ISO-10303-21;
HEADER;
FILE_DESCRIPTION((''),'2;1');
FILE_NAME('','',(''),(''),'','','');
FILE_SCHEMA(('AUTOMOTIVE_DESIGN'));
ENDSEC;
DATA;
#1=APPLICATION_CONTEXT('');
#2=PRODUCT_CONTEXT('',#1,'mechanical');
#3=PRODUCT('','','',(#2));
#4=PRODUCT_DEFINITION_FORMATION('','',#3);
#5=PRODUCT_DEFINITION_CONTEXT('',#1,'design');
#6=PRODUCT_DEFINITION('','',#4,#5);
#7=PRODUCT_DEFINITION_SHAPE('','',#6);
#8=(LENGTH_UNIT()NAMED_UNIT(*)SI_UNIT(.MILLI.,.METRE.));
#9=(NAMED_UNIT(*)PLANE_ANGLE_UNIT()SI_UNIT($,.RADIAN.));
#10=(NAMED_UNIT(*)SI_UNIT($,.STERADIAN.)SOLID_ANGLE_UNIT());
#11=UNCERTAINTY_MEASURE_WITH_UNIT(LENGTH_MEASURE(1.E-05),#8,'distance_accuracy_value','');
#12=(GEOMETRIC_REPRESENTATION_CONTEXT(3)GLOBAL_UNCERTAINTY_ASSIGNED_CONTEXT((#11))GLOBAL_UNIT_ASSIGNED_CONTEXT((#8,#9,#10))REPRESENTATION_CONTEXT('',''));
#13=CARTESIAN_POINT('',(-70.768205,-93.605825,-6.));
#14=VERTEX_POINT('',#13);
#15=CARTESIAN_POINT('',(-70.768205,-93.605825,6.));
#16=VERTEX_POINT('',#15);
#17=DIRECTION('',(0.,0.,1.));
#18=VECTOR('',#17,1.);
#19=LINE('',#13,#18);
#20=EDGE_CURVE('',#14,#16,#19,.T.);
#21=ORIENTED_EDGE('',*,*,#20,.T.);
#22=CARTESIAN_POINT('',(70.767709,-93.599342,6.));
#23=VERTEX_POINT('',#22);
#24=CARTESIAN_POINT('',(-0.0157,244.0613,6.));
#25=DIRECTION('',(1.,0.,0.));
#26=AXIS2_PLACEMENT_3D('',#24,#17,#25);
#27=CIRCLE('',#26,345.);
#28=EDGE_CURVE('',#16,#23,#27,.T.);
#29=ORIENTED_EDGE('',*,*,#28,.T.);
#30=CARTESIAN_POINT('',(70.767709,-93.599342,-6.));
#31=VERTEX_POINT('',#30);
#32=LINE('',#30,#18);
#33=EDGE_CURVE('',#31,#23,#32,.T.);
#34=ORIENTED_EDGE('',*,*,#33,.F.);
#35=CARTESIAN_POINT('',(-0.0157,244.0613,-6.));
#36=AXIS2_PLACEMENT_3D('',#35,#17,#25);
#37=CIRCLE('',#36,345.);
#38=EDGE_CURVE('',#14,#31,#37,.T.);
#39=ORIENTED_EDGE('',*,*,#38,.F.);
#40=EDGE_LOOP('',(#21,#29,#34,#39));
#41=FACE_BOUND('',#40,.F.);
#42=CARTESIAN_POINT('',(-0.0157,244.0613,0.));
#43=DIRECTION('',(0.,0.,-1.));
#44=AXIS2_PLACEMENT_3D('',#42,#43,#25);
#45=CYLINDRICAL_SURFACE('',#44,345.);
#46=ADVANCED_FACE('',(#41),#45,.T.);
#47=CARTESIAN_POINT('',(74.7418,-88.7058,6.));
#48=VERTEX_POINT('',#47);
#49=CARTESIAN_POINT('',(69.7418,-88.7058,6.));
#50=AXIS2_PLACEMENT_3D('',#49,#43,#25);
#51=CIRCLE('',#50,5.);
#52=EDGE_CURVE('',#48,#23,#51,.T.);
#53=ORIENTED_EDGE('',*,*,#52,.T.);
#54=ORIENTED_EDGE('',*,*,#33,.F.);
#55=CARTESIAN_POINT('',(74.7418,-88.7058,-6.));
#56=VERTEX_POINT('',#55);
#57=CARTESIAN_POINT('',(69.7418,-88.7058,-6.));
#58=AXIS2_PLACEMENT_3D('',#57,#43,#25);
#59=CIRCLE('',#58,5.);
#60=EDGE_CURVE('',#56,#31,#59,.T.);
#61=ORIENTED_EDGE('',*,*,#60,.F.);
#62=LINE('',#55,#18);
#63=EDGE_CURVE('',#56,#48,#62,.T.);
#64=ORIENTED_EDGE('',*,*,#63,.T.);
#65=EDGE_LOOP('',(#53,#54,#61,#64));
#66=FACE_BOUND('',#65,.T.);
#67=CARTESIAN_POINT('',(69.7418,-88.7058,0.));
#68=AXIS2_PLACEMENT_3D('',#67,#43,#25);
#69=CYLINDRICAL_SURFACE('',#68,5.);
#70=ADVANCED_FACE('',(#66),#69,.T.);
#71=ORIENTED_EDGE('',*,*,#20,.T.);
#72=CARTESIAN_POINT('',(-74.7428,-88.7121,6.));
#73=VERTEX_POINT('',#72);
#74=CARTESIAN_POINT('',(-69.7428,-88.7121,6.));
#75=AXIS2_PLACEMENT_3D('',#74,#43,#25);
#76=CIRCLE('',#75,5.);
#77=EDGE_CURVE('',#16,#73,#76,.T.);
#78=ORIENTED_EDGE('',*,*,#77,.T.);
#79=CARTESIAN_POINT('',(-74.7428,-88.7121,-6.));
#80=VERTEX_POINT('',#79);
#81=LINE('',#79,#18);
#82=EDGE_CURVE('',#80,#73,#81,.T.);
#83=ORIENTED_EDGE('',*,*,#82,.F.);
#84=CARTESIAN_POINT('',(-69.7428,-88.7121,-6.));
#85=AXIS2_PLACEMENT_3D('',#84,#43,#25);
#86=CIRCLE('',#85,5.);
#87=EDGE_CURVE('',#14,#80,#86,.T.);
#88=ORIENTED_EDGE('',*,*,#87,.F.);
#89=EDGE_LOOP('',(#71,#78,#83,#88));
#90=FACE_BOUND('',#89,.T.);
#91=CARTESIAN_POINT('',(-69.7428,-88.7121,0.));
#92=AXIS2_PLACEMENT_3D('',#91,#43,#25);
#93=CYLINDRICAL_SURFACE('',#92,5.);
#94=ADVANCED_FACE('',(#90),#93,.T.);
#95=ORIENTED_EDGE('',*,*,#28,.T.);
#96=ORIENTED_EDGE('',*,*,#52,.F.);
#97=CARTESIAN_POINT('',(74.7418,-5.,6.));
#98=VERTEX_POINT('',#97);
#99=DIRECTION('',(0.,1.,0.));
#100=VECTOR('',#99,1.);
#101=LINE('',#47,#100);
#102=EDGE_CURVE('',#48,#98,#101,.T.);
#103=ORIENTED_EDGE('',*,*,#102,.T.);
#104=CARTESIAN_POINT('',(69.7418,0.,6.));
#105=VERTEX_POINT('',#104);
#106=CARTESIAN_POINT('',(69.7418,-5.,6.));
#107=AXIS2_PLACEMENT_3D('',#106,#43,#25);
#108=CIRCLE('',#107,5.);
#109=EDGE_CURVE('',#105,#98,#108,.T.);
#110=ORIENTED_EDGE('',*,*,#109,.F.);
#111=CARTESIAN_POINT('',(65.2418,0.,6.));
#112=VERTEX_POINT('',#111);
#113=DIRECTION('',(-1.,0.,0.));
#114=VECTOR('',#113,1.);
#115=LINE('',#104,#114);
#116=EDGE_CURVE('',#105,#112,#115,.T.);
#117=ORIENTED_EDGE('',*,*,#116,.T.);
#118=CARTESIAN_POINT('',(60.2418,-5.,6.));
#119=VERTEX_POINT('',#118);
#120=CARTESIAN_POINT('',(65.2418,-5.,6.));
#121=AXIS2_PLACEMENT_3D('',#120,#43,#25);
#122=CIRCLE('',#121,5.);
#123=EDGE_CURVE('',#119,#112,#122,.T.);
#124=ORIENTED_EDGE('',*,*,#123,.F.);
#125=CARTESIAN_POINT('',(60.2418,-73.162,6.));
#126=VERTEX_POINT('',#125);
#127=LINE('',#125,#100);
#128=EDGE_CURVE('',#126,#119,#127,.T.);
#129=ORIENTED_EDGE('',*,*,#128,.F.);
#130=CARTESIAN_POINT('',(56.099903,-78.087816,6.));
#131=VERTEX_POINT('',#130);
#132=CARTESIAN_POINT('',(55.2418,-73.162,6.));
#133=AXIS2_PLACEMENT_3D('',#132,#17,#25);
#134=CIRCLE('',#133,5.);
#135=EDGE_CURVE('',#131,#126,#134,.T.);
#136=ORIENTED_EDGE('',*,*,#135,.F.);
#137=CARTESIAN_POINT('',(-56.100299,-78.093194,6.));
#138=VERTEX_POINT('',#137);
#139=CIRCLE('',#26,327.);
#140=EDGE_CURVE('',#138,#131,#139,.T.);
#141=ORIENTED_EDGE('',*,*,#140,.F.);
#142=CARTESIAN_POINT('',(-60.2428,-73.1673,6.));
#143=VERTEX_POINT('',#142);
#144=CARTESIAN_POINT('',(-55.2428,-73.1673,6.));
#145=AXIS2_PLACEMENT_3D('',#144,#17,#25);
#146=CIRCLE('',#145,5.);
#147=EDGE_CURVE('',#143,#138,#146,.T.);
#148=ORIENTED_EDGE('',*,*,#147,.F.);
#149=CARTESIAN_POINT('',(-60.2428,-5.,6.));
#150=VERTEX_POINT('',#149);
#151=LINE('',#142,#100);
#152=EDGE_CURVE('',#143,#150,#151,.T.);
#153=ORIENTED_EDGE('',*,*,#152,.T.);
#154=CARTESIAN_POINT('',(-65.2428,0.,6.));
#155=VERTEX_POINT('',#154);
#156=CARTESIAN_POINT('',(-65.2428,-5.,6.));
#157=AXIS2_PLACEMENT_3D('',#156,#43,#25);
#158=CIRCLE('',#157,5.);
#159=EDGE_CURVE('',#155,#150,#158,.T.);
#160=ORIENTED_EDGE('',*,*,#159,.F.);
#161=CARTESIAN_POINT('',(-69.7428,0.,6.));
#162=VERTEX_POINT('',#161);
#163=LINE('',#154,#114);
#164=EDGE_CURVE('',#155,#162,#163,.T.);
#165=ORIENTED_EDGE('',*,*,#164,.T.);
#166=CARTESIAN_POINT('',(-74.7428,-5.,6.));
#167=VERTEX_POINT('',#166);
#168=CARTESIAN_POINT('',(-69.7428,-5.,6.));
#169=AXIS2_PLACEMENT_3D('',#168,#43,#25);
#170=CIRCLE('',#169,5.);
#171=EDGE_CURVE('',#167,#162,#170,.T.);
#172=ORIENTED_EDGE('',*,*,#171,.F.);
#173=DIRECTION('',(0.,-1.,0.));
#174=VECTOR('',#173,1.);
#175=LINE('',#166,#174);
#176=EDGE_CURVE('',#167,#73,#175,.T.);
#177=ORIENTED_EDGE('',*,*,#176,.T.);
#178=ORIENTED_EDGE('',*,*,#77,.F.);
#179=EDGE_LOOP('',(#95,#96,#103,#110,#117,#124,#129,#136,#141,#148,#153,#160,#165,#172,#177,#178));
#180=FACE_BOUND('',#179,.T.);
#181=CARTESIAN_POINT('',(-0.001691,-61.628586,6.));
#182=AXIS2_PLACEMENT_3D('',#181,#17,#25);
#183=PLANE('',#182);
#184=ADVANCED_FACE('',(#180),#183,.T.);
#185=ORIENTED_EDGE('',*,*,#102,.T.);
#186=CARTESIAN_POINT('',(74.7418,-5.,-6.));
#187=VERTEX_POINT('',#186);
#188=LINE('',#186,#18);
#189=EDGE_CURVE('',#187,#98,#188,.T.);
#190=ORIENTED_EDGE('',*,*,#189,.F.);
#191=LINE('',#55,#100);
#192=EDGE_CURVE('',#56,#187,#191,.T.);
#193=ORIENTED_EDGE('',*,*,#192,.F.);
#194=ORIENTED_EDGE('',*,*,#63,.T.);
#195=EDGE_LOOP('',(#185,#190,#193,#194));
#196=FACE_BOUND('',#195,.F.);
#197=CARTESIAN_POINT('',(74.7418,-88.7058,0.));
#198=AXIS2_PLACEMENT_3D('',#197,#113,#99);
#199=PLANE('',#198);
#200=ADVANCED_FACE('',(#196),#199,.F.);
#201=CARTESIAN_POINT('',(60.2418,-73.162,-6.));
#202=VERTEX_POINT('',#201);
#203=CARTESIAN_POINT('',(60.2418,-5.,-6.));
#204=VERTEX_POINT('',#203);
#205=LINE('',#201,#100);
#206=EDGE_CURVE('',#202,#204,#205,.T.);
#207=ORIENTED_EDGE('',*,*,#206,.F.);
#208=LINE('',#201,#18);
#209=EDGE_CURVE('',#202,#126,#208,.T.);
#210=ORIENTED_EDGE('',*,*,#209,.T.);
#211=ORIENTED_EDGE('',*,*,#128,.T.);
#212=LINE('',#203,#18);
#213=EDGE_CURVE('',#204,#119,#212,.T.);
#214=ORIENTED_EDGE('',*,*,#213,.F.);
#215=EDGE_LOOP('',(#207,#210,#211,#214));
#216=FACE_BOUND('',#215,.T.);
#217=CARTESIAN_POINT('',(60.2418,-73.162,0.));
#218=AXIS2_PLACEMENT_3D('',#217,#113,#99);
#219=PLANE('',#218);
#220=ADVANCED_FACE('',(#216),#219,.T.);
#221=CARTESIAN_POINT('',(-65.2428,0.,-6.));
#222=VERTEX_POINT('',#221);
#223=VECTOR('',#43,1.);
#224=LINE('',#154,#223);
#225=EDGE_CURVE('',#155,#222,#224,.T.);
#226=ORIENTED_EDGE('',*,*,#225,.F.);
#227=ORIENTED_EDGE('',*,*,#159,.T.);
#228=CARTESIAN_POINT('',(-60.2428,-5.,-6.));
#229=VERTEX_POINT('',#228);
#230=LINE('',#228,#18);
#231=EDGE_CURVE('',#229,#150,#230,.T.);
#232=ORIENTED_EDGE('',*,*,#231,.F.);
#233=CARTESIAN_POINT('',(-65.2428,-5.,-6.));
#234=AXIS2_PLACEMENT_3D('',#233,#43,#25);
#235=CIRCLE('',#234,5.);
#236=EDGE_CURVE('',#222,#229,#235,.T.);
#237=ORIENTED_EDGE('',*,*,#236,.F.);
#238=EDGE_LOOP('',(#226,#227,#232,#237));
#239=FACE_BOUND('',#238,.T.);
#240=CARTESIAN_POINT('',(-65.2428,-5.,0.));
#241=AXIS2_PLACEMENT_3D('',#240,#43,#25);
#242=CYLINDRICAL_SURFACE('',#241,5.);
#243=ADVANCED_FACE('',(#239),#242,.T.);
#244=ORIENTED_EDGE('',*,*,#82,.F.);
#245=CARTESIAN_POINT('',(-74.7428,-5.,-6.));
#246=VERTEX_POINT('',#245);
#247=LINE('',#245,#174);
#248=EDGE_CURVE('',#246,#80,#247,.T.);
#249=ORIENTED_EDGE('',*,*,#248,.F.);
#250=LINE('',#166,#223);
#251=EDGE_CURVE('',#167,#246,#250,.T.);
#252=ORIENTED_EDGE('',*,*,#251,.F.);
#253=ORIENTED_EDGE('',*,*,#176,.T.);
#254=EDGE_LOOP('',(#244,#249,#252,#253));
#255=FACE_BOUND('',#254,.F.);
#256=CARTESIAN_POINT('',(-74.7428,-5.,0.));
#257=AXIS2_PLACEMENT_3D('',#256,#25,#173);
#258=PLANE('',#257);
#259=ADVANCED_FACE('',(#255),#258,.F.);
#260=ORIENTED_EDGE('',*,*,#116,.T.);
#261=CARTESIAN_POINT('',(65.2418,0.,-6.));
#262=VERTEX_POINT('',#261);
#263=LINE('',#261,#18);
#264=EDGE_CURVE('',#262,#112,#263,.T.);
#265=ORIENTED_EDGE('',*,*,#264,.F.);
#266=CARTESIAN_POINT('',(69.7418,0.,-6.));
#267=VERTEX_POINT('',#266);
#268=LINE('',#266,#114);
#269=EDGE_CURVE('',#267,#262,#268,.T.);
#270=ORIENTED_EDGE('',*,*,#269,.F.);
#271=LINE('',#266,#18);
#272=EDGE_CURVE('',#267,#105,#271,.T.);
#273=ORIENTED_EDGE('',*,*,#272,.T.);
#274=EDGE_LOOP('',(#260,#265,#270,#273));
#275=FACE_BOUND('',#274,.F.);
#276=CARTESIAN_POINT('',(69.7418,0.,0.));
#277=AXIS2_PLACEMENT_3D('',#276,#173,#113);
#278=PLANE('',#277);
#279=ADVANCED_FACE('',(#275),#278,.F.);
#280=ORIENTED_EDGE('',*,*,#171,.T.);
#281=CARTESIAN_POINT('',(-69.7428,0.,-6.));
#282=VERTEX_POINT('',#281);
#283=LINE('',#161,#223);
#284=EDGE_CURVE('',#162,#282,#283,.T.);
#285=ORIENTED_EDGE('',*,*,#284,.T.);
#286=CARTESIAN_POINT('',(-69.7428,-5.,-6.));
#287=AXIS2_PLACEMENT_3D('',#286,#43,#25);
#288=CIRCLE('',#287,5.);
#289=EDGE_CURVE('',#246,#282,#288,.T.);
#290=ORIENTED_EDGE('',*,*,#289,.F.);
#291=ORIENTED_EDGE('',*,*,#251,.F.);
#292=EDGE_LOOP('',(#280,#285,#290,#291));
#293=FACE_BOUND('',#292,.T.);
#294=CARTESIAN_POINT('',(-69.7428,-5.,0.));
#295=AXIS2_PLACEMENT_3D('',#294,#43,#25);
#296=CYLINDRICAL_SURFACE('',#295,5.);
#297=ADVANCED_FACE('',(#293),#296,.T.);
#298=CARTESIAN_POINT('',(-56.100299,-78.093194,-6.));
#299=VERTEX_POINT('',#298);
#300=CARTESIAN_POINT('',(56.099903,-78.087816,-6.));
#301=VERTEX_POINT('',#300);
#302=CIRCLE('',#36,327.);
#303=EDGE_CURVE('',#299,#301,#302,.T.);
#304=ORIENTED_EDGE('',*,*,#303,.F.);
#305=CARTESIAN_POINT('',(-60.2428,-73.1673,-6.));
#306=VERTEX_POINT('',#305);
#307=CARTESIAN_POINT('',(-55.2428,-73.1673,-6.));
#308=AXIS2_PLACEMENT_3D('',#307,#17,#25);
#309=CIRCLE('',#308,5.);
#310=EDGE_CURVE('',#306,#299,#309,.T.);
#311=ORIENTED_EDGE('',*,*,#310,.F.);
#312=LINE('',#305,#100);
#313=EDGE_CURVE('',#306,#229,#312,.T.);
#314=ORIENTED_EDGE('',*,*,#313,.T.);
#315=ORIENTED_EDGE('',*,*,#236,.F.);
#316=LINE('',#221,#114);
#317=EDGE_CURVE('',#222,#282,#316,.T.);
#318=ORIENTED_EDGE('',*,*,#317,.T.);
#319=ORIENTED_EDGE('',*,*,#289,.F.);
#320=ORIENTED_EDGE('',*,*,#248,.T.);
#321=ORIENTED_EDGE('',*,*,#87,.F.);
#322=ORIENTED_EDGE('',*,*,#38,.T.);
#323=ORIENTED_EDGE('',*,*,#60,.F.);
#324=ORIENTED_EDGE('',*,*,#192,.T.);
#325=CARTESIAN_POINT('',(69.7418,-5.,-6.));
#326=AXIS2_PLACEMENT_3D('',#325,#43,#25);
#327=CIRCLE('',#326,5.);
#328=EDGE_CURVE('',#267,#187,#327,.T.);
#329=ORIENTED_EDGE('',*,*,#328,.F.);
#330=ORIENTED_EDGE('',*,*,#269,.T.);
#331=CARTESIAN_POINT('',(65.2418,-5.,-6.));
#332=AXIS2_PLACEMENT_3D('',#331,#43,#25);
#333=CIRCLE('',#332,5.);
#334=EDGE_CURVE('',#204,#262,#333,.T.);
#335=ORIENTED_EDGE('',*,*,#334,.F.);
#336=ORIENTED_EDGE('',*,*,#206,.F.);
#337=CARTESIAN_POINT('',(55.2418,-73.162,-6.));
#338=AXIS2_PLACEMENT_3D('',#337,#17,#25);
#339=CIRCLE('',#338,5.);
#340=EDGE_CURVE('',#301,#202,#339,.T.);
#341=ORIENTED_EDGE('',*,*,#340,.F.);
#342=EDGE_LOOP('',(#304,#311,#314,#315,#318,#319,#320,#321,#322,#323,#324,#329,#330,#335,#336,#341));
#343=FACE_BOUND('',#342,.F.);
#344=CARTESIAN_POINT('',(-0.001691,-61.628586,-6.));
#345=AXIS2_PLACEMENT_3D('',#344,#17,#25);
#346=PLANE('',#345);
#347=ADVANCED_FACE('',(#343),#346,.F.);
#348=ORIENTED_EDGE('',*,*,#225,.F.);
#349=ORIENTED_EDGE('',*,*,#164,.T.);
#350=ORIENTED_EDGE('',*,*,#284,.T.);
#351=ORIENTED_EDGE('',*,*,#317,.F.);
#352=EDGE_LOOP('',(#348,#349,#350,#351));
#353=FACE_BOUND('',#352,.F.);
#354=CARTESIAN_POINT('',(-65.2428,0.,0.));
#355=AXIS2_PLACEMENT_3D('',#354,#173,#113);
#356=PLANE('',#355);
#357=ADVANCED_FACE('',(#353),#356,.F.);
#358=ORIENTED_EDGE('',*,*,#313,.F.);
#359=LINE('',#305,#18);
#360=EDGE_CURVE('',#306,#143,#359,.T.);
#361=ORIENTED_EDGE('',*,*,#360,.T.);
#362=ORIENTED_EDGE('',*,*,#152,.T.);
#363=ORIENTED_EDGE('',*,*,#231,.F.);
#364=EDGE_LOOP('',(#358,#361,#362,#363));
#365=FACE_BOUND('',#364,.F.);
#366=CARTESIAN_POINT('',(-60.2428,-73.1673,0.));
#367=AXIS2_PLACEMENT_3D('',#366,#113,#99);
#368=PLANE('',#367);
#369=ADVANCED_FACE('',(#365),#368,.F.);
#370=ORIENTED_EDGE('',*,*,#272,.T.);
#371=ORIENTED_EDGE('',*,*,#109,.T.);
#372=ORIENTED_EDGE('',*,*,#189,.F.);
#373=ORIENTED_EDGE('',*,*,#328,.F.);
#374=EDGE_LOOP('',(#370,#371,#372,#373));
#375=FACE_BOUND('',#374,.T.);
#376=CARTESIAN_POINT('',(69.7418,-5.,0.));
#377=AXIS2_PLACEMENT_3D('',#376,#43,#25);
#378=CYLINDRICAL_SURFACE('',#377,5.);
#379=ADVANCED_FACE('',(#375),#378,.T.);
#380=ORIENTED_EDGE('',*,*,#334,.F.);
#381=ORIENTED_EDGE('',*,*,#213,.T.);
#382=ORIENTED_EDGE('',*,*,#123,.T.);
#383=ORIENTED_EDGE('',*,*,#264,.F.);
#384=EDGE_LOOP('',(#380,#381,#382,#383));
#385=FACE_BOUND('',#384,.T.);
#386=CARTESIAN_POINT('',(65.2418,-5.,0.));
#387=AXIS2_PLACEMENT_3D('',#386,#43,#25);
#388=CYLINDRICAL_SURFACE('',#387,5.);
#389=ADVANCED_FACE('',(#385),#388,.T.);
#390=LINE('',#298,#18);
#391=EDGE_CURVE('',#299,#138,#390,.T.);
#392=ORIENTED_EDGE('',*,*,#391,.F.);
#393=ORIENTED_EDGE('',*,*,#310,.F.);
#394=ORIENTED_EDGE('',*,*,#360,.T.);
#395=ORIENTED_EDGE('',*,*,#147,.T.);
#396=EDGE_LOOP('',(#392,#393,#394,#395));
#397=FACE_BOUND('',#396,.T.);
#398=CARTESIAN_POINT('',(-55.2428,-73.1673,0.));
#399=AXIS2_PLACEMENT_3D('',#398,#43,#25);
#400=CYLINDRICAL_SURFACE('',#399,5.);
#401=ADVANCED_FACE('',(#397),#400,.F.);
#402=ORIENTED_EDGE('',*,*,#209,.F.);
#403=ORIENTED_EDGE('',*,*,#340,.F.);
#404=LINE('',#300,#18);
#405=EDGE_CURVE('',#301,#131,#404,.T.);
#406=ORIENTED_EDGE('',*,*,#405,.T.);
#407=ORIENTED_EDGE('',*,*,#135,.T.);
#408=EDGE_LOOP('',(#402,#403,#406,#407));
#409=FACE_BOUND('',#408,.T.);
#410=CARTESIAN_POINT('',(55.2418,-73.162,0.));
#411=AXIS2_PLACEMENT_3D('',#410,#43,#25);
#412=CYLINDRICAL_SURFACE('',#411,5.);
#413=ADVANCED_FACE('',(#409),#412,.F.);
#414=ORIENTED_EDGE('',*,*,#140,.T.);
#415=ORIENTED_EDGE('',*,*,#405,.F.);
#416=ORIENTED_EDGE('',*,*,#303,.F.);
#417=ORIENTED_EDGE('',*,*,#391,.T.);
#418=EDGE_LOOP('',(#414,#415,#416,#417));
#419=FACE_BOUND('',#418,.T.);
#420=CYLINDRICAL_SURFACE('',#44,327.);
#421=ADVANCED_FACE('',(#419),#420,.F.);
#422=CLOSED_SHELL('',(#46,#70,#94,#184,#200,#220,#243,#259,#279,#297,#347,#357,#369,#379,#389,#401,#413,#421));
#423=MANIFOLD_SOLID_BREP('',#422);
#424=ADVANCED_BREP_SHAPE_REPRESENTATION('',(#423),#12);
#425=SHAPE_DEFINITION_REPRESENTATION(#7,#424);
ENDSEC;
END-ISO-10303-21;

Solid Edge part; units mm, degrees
sketch "Sketch1" plane through (0, 0, 0) normal (0, 0, 1) x (1, 0, 0)
  line L0 (-74.7428, -5) -> (-74.7428, -88.7121)
  arc A0 (-70.7682, -93.6058) -> (-74.7428, -88.7121) centre (-69.7428, -88.7121) cw
  arc A1 (-70.7682, -93.6058) -> (70.7677, -93.5993) centre (-0.0157, 244.0613) ccw
  arc A2 (74.7418, -88.7058) -> (70.7677, -93.5994) centre (69.7418, -88.7058) cw
  line L1 (74.7418, -88.7058) -> (74.7418, -5)
  arc A3 (69.7418, 0) -> (74.7418, -5) centre (69.7418, -5) cw
  line L2 (69.7418, 0) -> (65.2418, 0)
  arc A4 (60.2418, -5) -> (65.2418, 0) centre (65.2418, -5) cw
  line L3 (60.2418, -73.162) -> (60.2418, -5)
  arc A5 (56.0999, -78.0878) -> (60.2418, -73.162) centre (55.2418, -73.162) ccw
  arc A6 (-56.1003, -78.0932) -> (56.0999, -78.0878) centre (-0.0157, 244.0613) ccw
  arc A7 (-60.2428, -73.1673) -> (-56.1003, -78.0932) centre (-55.2428, -73.1673) ccw
  line L4 (-60.2428, -73.1673) -> (-60.2428, -5)
  arc A8 (-65.2428, 0) -> (-60.2428, -5) centre (-65.2428, -5) cw
  line L5 (-65.2428, 0) -> (-69.7428, 0)
  arc A9 (-74.7428, -5) -> (-69.7428, 0) centre (-69.7428, -5) cw
extrude "Protrusion1" add sketch "Sketch1" along normal mid plane 12
properties part number "2003-004" material "Plastic"
